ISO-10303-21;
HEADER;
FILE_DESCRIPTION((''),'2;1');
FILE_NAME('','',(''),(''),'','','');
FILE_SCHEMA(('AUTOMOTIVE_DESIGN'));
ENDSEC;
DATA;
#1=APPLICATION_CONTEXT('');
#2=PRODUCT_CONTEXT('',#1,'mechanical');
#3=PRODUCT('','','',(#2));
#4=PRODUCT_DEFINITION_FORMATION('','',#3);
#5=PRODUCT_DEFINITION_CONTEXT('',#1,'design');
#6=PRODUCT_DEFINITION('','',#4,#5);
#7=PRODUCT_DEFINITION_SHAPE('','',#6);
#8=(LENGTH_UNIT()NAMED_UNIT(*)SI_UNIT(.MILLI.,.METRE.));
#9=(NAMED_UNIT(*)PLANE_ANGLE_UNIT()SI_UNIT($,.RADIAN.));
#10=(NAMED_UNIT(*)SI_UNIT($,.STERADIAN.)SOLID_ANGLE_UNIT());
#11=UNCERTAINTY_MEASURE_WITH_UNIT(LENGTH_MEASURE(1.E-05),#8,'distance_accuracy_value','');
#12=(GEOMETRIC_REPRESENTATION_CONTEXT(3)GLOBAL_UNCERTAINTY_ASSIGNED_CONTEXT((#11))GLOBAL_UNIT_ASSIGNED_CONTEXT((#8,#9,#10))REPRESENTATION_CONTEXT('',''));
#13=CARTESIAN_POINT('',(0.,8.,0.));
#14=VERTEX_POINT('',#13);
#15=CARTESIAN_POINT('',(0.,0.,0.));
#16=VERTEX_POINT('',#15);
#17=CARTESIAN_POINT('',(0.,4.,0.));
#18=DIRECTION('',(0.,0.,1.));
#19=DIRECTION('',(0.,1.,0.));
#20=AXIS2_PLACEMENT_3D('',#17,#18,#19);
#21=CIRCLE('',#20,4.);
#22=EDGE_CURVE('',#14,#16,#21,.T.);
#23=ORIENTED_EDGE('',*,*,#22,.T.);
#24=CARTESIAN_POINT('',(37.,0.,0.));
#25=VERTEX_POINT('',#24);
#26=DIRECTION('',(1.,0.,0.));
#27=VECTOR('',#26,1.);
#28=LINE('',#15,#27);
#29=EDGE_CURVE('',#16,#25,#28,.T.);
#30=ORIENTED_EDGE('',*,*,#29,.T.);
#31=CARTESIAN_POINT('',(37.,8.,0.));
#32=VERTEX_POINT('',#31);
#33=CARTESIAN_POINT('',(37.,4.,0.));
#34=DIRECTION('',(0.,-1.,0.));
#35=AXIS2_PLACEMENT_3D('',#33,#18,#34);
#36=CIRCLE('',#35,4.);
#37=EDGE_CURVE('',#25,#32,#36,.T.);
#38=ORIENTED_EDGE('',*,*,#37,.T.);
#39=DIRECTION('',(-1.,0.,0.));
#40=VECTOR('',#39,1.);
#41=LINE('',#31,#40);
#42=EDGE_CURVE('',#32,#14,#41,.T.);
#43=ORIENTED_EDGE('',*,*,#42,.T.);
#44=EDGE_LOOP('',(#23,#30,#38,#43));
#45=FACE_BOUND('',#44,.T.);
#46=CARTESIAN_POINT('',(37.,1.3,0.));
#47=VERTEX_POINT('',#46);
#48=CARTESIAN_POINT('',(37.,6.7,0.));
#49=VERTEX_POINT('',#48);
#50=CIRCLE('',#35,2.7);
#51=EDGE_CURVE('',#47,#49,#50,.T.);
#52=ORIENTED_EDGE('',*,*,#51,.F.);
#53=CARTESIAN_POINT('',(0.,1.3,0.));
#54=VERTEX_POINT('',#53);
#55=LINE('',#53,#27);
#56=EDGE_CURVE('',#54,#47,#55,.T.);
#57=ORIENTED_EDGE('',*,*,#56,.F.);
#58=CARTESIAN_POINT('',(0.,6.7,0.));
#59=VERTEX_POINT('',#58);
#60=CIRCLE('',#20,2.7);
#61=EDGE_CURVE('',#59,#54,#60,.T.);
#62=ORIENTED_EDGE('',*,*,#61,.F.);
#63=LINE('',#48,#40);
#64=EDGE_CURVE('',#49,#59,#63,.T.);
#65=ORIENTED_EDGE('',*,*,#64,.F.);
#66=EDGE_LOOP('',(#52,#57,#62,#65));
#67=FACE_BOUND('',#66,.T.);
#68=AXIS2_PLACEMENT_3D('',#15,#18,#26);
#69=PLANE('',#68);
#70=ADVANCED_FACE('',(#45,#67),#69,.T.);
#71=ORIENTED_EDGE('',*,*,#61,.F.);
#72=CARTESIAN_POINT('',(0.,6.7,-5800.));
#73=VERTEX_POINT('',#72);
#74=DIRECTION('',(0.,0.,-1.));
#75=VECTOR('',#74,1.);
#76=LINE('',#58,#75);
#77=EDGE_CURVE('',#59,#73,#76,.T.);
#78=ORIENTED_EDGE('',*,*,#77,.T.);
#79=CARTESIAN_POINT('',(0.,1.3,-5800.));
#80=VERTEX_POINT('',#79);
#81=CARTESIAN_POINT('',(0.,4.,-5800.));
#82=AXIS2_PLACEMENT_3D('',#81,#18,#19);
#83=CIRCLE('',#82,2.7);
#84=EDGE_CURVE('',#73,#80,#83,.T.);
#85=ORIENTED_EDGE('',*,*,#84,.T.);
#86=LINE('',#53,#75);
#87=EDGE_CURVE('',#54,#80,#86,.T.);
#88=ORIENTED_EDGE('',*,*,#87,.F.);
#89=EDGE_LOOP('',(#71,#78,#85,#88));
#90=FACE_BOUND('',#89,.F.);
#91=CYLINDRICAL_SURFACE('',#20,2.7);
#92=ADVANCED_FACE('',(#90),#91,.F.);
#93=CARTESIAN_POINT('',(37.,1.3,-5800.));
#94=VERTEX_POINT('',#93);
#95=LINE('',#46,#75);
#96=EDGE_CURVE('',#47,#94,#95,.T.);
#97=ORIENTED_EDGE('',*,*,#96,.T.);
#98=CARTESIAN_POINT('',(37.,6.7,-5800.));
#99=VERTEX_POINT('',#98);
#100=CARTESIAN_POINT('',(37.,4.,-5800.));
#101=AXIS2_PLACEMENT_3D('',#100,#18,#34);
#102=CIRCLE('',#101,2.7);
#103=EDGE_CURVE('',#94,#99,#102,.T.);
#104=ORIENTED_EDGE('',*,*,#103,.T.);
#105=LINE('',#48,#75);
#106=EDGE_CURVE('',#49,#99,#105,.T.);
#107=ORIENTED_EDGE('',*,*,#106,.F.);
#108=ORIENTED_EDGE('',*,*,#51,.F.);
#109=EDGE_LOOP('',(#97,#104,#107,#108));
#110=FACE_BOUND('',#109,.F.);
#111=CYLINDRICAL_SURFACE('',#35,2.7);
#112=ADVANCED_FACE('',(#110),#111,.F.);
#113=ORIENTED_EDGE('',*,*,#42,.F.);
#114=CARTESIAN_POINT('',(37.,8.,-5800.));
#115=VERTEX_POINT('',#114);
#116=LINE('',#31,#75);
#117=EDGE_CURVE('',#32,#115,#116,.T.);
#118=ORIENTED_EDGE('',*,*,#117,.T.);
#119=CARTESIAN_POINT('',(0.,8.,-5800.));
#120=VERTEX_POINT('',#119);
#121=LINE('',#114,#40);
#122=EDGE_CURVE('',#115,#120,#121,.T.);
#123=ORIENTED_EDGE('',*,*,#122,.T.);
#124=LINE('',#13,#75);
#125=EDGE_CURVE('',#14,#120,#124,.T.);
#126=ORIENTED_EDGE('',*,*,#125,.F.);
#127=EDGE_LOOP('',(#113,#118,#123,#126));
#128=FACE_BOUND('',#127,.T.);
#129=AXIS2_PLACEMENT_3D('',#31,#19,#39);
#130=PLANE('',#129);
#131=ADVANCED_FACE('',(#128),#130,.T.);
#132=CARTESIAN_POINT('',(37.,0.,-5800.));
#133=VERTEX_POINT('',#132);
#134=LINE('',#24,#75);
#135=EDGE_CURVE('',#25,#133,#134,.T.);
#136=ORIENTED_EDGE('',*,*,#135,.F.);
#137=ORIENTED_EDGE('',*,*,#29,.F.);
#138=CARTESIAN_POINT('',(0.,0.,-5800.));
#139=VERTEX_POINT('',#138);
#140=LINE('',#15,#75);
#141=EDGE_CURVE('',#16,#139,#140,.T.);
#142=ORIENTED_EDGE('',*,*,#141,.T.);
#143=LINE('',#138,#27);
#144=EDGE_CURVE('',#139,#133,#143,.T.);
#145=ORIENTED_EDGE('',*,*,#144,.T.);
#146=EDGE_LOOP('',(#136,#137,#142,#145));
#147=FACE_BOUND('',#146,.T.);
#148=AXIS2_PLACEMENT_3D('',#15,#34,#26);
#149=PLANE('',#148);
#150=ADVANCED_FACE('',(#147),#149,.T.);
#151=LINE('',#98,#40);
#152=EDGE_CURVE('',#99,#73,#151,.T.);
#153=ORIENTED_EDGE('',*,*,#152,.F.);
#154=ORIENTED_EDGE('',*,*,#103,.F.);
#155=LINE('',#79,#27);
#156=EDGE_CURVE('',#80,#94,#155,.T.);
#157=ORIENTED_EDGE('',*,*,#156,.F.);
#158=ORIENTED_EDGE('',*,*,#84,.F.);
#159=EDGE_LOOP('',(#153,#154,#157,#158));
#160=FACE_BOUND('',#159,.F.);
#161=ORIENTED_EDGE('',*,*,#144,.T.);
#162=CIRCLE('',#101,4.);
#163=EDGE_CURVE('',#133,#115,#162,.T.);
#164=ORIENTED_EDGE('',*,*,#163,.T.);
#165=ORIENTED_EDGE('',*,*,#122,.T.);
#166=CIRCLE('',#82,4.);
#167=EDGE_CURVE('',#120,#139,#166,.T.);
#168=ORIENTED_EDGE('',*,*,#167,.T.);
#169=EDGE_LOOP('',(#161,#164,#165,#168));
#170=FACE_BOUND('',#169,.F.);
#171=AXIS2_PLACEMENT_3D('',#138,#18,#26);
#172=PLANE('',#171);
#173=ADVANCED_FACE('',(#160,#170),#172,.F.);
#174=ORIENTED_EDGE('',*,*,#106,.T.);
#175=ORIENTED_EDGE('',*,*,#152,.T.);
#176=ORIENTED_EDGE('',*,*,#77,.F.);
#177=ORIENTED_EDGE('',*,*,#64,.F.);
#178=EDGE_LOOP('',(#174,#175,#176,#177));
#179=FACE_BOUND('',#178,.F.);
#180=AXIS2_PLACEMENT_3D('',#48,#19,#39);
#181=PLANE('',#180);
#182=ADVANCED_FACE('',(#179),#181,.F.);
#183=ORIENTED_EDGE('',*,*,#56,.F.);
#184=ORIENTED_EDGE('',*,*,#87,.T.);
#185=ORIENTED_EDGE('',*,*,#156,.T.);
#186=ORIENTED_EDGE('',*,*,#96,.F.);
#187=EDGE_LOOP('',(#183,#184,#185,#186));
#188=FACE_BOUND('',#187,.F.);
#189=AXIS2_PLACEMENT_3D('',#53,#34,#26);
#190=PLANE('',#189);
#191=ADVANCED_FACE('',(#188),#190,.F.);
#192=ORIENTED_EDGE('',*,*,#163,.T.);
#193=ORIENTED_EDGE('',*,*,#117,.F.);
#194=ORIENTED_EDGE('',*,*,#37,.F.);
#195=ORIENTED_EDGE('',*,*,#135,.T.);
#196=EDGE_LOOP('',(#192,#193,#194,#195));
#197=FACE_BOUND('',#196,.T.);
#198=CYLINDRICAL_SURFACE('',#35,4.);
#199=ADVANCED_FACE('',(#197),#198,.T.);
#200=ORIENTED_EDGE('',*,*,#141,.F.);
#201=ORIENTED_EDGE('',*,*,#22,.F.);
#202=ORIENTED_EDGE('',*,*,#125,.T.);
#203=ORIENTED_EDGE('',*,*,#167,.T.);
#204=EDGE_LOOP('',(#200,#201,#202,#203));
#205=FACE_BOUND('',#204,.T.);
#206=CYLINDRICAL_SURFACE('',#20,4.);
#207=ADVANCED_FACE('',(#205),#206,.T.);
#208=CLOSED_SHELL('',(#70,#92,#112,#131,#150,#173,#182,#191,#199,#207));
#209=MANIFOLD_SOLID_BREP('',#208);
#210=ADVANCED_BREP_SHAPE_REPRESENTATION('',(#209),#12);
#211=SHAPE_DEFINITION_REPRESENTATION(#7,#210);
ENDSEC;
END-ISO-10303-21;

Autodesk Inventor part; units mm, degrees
ref_plane "YZ Plane" through (0, 0, 0) normal (1, 0, 0) x (0, 1, 0)
ref_plane "XZ Plane" through (0, 0, 0) normal (0, 1, 0) x (-1, 0, 0)
ref_plane "XY Plane" through (0, 0, 0) normal (0, 0, 1) x (1, 0, 0)
sketch "Boceto1" plane through (0, 0, 0) normal (0, 0, 1) x (1, 0, 0)
  line L0 (0, 0) -> (37, 0)
  line L1 (37, 8) -> (0, 8)
  line L2 (0, 1.3) -> (37, 1.3)
  line L3 (37, 6.7) -> (0, 6.7)
  arc A0 (0, 6.7) -> (0, 1.3) centre (0, 4) ccw
  line L4 (-8.2346, 4) -> (45.2882, 4) construction
  arc A1 (0, 8) -> (0, 0) centre (0, 4) ccw
  arc A2 (37, 0) -> (37, 8) centre (37, 4) ccw
  arc A3 (37, 1.3) -> (37, 6.7) centre (37, 4) ccw
  point P0 (41, 4)
  point P1 (-4, 4)
  dimension "d1" = 1.3
  dimension "d2" = 1.3
  dimension "d5" = 8
  dimension "d10" = 4
  dimension "d11" = 1.3
  dimension "d12" = 4
  dimension "d13" = 2.7
  dimension "d16" = 1.3
  dimension "d17" = 2.7
  dimension "d18" = 4
  dimension "d19" = 45
extrude "Extrusión1" add sketch "Boceto1" against normal blind 5800
properties part number "SP40-13 REVESTIMIENTO - LAMA FIJA TUBULAR" material "Aluminio"
